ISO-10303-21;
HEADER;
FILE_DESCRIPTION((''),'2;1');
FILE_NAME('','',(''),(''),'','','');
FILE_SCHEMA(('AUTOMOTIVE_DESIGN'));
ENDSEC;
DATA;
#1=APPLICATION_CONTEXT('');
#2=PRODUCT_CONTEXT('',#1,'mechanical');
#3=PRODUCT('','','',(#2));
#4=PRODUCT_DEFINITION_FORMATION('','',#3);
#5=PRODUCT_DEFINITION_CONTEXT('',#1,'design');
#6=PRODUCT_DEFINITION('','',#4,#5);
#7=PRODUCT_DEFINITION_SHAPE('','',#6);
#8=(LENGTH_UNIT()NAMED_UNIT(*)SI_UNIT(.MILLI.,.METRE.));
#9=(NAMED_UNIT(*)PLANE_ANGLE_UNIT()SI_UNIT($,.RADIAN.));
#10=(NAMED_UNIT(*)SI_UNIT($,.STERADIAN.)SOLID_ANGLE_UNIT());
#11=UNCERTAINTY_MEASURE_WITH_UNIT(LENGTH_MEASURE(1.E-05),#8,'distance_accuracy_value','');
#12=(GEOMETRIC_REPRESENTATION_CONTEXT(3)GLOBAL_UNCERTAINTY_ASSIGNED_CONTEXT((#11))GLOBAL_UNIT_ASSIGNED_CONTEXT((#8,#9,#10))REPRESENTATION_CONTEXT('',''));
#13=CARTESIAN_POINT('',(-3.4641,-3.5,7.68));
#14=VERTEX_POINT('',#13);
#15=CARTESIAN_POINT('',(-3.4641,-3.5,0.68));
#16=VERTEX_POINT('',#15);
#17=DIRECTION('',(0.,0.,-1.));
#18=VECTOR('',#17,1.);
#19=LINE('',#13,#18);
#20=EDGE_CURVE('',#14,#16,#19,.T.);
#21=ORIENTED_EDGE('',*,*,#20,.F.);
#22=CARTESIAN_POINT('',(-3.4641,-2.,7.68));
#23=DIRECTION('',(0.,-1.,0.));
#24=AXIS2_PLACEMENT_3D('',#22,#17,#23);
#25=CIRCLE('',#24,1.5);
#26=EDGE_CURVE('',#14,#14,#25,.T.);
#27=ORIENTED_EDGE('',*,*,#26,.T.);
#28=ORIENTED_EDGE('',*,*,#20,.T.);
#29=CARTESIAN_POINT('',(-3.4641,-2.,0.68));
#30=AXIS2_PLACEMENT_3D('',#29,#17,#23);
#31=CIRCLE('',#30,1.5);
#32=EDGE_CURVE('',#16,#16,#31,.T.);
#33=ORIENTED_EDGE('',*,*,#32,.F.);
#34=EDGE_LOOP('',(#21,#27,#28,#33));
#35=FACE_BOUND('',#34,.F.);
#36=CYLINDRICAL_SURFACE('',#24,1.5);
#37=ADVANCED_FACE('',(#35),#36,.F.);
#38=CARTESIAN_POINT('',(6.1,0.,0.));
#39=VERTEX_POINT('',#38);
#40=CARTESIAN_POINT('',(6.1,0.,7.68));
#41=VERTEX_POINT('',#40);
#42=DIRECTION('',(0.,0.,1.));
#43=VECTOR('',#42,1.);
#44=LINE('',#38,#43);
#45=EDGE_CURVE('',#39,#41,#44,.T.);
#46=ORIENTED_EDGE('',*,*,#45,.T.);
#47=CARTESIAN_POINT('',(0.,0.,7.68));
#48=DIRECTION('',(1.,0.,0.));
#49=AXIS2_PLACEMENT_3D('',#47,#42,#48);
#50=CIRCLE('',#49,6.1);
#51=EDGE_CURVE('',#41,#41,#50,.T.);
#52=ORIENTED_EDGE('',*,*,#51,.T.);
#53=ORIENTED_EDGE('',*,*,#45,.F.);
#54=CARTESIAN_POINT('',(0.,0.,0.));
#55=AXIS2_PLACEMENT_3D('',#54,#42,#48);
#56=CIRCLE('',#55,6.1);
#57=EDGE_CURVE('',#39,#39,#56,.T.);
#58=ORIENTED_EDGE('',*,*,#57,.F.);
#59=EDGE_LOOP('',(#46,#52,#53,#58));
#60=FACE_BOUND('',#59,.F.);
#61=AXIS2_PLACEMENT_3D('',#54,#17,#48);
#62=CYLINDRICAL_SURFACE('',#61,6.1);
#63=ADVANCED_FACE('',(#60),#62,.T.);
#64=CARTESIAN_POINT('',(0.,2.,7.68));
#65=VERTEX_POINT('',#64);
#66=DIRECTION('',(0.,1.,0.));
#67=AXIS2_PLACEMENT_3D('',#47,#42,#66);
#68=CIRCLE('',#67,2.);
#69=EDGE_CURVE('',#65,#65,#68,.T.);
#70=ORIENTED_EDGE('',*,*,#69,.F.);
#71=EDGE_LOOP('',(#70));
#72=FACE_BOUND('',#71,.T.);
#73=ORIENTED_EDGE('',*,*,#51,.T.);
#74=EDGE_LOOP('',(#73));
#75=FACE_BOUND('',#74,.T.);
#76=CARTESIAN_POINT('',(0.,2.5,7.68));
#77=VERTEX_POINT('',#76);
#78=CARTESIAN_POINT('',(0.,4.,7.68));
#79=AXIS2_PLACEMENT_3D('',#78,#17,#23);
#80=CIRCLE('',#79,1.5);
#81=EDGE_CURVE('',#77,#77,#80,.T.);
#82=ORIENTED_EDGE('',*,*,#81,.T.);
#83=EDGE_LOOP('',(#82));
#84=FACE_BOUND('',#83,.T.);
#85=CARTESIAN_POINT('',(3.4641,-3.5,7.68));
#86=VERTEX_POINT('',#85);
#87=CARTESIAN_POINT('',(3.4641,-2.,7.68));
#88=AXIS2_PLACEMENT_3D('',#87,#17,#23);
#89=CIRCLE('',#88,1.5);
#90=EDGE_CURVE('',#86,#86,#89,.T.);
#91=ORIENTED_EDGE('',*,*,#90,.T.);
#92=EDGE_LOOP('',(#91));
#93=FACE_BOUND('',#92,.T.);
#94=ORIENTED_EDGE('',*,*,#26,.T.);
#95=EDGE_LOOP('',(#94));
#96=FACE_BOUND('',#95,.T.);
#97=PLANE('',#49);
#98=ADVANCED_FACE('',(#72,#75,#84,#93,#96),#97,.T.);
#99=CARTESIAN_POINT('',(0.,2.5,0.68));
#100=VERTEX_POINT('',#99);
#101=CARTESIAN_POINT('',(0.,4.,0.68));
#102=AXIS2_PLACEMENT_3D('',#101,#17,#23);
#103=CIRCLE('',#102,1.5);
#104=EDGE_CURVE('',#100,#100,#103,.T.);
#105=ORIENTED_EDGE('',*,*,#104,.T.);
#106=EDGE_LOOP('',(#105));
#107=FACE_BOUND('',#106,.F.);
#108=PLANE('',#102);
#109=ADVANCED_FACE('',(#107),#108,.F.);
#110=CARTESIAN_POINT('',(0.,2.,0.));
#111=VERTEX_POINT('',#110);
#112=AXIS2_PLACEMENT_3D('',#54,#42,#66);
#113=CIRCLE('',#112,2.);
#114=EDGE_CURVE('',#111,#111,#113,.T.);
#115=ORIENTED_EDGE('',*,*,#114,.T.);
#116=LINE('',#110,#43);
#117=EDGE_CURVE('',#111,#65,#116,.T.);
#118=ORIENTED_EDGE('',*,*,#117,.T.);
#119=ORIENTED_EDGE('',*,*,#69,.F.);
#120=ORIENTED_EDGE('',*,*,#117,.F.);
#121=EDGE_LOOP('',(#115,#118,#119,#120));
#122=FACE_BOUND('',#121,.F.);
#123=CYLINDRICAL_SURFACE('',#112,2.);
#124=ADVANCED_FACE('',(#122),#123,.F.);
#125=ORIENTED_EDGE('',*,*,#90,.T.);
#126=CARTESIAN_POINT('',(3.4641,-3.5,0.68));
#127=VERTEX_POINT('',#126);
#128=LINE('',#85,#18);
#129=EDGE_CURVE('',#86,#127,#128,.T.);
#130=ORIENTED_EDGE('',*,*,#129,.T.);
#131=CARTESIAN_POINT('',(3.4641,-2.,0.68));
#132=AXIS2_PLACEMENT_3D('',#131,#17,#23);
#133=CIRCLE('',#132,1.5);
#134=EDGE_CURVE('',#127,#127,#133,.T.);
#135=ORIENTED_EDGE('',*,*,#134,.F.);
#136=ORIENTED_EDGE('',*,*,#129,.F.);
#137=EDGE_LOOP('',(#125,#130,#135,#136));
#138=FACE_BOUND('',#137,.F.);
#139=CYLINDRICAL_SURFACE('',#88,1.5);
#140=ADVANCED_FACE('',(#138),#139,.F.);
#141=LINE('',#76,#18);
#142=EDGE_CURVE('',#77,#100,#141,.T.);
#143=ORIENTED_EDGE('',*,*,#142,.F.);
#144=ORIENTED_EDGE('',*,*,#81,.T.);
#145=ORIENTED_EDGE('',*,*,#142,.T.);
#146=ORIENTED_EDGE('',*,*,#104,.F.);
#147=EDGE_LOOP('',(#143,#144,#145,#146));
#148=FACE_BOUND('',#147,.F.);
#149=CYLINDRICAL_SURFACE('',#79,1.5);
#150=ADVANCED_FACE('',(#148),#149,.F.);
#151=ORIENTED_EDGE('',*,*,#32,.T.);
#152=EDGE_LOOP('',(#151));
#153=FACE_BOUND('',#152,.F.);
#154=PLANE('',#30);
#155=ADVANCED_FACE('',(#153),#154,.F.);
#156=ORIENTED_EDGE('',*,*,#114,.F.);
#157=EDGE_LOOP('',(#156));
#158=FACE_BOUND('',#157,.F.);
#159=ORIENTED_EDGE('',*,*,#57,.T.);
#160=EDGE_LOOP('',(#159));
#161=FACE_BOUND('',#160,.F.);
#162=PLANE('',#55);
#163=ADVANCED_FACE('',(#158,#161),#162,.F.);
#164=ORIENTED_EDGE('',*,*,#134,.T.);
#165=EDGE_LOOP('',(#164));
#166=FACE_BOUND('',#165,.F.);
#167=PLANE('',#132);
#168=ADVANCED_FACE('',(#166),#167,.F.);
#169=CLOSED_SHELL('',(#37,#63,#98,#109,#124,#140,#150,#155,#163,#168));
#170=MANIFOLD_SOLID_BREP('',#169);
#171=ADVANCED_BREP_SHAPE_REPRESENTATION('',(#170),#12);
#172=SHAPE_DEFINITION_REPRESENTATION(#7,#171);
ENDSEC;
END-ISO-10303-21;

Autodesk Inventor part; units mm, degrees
ref_plane "YZ Plane" through (0, 0, 0) normal (1, 0, 0) x (0, 1, 0)
ref_plane "XZ Plane" through (0, 0, 0) normal (0, 1, 0) x (-1, 0, 0)
ref_plane "XY Plane" through (0, 0, 0) normal (0, 0, 1) x (1, 0, 0)
sketch "Sketch1" plane through (0, 0, 0) normal (0, 0, 1) x (1, 0, 0)
  circle A0 centre (0, 0) radius 6.1
  dimension "d0" = 12.2
extrude "Extrusion1" add sketch "Sketch1" along normal blind 7.68
sketch "Sketch2" plane through (0, 0, 7.68) normal (0, 0, 1) x (1, 0, 0)
  circle A0 centre (0, 0) radius 6.1 projected
  line L0 (0, 4) -> (0, 0) construction
  line L1 (0, 0) -> (-3.4641, -2) construction
  line L2 (3.4641, -2) -> (0, 0) construction
  dimension "d3" = 120
  dimension "d4" = 120
  dimension "d5" = 4
hole "Hole1" at (0, 4, 7.68) at (-3.4641, -2, 7.68) at (3.4641, -2, 7.68) direction (0, 0, -1) diameter 3 depth 7
sketch "Sketch3" plane through (0, 0, 0) normal (0, 0, -1) x (-1, 0, 0)
  point P0 (0, 0)
hole "Hole2" at (0, 0, 0) direction (0, 0, 1) diameter 4 end through all
equation "\"d4\" = d3"
properties part number "ScissorPin" material "ABS Plastic"
